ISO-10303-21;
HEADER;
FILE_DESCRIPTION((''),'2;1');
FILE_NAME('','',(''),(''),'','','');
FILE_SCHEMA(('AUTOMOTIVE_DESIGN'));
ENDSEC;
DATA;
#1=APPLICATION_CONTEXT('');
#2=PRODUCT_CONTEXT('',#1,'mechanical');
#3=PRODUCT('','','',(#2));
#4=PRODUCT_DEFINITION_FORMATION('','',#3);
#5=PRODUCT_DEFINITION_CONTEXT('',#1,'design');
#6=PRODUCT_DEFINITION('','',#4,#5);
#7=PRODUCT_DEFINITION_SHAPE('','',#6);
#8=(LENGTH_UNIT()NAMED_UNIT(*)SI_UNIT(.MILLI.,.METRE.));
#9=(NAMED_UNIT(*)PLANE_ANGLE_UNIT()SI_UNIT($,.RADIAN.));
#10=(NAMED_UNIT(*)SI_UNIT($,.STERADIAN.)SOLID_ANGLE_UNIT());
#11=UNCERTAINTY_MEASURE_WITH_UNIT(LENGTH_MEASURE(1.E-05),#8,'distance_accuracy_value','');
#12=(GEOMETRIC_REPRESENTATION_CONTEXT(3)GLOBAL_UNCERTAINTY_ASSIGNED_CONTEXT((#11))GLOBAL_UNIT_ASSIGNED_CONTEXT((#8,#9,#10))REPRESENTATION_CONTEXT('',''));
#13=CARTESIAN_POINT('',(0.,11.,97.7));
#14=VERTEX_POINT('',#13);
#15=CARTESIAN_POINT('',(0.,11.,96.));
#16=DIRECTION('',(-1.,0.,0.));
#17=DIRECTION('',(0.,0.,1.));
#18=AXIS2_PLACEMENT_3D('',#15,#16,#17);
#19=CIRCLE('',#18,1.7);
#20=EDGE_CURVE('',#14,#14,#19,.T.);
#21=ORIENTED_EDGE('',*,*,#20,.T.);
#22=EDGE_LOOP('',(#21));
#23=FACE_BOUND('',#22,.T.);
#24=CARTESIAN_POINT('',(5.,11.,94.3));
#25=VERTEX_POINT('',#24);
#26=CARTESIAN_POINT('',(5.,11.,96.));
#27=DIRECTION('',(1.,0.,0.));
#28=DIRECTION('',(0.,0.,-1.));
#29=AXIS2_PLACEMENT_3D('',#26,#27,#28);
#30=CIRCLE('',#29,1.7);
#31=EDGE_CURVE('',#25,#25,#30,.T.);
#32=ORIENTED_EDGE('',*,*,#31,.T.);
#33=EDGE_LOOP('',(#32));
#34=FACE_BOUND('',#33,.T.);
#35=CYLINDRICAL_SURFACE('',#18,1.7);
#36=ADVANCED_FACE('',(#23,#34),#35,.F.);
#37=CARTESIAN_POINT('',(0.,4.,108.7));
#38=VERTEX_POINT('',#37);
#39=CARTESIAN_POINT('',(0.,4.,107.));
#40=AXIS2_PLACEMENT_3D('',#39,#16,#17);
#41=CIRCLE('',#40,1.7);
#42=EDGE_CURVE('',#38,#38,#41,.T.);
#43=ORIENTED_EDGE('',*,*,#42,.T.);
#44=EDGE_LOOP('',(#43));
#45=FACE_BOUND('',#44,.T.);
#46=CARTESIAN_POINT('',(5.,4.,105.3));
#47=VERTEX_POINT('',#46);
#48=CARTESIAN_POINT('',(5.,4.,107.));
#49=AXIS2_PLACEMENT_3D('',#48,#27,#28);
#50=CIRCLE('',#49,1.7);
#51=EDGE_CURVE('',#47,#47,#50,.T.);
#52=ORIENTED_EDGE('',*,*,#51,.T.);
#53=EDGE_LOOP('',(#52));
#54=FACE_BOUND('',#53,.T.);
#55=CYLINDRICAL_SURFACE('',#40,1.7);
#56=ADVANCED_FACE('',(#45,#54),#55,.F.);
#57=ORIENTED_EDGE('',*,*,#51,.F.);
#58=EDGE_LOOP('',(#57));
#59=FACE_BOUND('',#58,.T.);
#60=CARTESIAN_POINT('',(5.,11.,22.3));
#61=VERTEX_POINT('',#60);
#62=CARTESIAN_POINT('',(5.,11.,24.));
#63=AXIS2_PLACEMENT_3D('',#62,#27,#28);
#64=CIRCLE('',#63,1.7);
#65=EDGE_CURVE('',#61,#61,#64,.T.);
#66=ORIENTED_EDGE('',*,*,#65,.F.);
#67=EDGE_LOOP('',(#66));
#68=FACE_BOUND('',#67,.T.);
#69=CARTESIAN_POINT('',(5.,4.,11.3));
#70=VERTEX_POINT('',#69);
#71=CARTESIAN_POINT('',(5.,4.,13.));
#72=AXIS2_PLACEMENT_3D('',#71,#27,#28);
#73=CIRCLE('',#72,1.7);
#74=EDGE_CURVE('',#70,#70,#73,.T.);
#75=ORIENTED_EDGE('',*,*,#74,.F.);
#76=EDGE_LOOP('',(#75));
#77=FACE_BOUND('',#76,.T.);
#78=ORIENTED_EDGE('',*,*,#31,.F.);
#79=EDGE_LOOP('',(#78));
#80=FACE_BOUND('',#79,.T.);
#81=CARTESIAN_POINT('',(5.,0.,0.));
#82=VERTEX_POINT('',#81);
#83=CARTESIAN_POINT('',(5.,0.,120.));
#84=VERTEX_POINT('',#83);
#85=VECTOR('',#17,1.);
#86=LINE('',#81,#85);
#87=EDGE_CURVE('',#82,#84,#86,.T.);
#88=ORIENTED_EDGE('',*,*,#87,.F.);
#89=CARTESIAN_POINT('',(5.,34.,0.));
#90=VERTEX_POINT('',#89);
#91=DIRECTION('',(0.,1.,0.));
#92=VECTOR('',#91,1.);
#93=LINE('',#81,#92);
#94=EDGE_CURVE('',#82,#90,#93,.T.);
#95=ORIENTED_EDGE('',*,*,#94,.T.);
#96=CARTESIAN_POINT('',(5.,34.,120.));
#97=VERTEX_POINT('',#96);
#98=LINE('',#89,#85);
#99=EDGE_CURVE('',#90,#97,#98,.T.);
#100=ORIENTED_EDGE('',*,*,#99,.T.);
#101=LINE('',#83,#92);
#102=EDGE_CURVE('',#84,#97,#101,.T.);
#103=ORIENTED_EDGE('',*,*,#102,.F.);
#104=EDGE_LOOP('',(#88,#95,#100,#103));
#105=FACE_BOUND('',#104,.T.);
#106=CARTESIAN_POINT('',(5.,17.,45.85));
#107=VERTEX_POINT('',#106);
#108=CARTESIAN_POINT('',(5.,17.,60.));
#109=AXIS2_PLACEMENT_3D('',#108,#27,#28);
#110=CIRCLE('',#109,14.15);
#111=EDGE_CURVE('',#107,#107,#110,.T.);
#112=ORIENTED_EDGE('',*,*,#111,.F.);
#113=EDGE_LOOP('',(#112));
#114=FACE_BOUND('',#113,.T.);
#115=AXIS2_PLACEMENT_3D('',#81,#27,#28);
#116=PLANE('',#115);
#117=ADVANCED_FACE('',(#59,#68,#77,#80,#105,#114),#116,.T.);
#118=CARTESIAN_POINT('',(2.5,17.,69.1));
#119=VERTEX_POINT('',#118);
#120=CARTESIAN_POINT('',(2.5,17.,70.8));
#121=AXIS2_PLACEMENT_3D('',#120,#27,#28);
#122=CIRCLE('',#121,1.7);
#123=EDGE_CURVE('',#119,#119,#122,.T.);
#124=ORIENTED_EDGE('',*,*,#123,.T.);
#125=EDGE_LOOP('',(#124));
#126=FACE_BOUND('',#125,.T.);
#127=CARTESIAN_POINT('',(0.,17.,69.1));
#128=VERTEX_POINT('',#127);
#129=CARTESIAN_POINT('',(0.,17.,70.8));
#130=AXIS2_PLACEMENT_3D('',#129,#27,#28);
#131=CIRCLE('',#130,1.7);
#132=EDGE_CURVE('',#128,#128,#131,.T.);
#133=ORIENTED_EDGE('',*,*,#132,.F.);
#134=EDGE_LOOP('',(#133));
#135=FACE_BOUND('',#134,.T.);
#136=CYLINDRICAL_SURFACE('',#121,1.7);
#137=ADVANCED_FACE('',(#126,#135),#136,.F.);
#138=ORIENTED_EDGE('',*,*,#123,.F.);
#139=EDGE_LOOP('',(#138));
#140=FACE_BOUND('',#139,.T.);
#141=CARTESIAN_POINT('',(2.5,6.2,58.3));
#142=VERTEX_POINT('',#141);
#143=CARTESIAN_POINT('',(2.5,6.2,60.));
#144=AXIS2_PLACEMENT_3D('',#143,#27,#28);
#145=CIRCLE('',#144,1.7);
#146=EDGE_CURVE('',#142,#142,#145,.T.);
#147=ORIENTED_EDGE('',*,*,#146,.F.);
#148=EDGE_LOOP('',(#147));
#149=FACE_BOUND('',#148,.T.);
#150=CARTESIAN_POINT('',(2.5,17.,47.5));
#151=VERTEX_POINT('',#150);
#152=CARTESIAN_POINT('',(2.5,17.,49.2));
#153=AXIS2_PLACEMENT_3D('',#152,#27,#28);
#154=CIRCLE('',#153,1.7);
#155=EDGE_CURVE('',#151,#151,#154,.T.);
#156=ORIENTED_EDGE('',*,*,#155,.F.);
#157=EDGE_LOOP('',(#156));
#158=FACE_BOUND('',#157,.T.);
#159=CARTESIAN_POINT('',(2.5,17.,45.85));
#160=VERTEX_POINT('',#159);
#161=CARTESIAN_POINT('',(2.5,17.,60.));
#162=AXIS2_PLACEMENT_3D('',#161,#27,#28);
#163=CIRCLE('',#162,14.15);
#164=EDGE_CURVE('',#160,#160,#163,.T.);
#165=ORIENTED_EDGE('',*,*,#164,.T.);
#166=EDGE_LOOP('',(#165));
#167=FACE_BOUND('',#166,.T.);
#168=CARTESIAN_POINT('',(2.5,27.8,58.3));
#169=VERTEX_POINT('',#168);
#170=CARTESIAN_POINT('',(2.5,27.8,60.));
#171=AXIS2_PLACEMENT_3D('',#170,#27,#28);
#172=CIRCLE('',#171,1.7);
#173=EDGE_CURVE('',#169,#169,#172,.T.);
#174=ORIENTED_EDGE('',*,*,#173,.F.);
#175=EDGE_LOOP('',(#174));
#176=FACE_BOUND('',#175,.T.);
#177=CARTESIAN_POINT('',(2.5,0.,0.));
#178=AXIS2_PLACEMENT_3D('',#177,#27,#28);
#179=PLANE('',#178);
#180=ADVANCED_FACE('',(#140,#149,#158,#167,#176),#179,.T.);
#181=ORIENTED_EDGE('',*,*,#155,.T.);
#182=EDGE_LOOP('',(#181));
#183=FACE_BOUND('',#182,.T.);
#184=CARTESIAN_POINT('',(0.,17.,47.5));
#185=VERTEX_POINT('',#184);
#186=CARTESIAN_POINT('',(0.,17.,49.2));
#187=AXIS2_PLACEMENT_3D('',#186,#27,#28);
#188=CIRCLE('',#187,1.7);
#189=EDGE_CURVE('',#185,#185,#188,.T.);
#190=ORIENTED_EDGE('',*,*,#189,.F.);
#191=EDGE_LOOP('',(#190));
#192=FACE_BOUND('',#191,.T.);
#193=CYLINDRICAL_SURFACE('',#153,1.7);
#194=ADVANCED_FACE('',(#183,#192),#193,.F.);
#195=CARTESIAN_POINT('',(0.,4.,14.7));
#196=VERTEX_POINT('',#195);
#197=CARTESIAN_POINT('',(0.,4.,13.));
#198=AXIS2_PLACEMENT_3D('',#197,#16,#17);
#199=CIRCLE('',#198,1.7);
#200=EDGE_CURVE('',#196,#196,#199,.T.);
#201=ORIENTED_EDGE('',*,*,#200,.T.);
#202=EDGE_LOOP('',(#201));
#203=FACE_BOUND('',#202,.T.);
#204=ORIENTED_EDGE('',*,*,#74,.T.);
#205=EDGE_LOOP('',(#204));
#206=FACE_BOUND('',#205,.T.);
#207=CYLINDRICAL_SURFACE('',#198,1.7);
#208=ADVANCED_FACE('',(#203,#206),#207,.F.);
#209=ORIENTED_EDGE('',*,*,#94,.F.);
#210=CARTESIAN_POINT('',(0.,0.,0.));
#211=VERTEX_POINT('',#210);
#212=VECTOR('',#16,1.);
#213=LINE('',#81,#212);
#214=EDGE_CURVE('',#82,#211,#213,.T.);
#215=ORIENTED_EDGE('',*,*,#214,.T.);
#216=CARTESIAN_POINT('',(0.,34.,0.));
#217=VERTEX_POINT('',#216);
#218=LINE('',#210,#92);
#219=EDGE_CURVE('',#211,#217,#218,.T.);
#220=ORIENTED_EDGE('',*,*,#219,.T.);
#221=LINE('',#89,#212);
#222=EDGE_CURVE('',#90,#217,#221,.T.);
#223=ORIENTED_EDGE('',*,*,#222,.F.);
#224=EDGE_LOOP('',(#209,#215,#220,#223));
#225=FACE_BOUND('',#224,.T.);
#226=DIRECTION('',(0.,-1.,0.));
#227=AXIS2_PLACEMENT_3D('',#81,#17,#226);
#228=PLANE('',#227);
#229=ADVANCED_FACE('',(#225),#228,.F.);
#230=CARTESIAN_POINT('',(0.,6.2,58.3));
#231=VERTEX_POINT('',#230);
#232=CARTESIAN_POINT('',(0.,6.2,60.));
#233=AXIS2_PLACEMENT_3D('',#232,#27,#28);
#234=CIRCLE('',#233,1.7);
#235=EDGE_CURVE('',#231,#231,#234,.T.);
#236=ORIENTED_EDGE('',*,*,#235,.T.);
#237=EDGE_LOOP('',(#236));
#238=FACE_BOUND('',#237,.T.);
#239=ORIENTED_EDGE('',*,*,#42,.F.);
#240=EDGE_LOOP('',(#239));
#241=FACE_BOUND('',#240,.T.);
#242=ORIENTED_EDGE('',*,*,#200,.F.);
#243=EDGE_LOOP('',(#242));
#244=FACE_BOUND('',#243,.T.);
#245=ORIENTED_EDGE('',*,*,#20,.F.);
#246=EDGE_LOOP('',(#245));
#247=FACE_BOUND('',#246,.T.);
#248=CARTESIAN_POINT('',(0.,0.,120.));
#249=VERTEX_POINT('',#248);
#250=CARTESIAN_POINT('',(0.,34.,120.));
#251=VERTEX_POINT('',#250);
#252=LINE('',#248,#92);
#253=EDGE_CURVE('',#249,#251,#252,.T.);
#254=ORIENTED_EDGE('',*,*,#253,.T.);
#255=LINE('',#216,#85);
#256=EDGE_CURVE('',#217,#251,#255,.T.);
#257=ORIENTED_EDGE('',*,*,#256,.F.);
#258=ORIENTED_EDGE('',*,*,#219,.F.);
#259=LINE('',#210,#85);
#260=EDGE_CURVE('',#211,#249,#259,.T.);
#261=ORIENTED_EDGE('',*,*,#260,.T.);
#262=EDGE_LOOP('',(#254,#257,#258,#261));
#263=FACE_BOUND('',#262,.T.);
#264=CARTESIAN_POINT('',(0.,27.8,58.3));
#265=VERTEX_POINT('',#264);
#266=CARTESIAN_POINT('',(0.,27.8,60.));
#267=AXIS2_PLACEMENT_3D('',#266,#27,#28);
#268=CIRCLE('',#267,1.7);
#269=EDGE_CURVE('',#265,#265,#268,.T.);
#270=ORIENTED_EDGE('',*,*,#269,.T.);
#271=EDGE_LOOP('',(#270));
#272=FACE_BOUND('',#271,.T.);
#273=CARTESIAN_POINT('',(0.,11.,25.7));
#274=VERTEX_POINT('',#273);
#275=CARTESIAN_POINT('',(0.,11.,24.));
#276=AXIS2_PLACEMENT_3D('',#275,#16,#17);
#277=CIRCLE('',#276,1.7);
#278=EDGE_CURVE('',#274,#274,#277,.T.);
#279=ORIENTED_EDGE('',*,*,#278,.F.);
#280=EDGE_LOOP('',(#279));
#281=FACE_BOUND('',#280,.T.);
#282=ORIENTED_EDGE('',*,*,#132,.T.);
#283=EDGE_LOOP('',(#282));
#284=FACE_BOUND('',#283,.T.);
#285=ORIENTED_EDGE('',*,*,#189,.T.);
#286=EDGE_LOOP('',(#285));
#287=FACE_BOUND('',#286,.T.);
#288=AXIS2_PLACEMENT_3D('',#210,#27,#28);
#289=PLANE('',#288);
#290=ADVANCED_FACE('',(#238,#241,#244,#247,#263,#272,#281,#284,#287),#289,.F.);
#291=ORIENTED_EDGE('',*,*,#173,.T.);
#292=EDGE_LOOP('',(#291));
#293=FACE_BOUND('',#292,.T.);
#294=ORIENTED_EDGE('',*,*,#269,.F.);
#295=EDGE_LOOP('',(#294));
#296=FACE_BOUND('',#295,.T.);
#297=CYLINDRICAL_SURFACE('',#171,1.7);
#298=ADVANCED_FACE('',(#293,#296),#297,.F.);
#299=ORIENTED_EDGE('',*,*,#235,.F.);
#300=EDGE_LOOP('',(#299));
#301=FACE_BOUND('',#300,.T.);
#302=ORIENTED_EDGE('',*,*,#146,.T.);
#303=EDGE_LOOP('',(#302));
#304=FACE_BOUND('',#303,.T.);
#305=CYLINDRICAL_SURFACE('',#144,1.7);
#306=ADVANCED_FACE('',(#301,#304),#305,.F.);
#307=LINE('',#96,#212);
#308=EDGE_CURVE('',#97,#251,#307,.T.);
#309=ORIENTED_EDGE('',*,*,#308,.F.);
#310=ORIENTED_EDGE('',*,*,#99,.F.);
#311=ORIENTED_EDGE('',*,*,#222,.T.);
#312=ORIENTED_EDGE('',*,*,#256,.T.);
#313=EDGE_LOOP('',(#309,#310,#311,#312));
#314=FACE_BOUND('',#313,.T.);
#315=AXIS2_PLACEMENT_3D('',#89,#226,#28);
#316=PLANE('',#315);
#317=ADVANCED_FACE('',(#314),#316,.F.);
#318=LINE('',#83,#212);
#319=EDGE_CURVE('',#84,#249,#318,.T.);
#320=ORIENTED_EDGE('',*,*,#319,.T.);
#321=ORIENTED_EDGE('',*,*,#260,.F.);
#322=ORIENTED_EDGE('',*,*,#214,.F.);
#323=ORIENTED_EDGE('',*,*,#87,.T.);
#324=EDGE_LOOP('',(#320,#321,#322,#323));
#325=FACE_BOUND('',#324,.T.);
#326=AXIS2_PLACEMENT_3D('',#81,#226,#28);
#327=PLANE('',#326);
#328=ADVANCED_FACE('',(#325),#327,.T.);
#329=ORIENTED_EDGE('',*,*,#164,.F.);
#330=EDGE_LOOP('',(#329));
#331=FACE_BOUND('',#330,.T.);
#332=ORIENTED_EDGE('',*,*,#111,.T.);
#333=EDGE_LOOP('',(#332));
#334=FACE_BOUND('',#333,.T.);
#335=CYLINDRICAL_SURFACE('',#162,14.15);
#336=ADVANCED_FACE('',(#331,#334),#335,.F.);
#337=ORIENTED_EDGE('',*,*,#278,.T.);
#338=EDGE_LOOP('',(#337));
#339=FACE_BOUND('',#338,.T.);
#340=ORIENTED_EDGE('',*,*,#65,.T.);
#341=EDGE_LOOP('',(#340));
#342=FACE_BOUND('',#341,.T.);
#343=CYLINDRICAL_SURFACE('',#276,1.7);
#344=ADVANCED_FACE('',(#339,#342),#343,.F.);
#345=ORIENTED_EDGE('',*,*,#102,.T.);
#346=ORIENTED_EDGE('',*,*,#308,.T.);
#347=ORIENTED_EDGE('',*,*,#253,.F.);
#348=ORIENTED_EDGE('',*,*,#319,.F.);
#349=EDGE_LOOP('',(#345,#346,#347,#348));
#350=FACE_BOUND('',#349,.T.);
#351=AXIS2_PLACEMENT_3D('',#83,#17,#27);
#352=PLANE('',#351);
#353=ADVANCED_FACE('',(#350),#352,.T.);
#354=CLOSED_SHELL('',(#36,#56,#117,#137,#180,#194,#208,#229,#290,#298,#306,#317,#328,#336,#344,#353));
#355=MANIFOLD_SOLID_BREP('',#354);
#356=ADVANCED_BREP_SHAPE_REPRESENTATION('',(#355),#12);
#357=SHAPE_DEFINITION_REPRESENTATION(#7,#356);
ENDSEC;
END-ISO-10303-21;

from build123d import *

# Parameters (mm, degrees)
SKETCH1_W                = 120
SKETCH1_H                = 34
BOSS_EXTRUDE1_DEPTH      = 5
CUT_EXTRUDE1_DEPTH       = 2.5
M3_CLEARANCE_HOLE1_D     = 3.4
M3_CLEARANCE_HOLE1_DEPTH = 15
M3_CLEARANCE_HOLE1_TIP   = 1.021463052
M3_CLEARANCE_HOLE3_D     = 3.4
M3_CLEARANCE_HOLE3_DEPTH = 15
M3_CLEARANCE_HOLE3_TIP   = 1.021463052


with BuildPart() as part:
    # Sketch1 → Boss-Extrude1 (new body)
    with BuildSketch(Plane(origin=(0, 0, 0), x_dir=(0, 0, -1), z_dir=(1, 0, 0))):
        with Locations((-60, 17)):
            Rectangle(SKETCH1_W, SKETCH1_H)
    extrude(amount=BOSS_EXTRUDE1_DEPTH)

    # Sketch2 → Cut-Extrude1 (cut)
    with BuildSketch(Plane(origin=(5, 0, 0), x_dir=(0, 0, -1), z_dir=(1, 0, 0))):
        with BuildLine():
            ThreePointArc((-45.85, 17), (-49.994439046, 27.005560954), (-60, 31.15))
            Line((-60, 31.15), (-60, 2.85))
            ThreePointArc((-60, 2.85), (-49.994439046, 6.994439046), (-45.85, 17))
        make_face()
        with BuildLine():
            Line((-60, 2.85), (-60, 31.15))
            ThreePointArc((-60, 31.15), (-74.15, 17), (-60, 2.85))
        make_face()
    extrude(amount=-CUT_EXTRUDE1_DEPTH, mode=Mode.SUBTRACT)

    # M3 Clearance Hole1
    with Locations(Plane(origin=(2.5, 0, 0), x_dir=(0, 0, -1), z_dir=(1, 0, 0))):
        with Locations((-60, 27.8), (-49.2, 17), (-60, 6.2), (-70.8, 17)):
            Hole(M3_CLEARANCE_HOLE1_D / 2, depth=M3_CLEARANCE_HOLE1_DEPTH)
            with Locations((0, 0, -(M3_CLEARANCE_HOLE1_DEPTH + M3_CLEARANCE_HOLE1_TIP / 2))):  # 118° drill point
                Cone(0, M3_CLEARANCE_HOLE1_D / 2, M3_CLEARANCE_HOLE1_TIP, mode=Mode.SUBTRACT)

    # M3 Clearance Hole3
    with Locations(Plane.ZY):
        with Locations((24, 11), (13, 4), (96, 11), (107, 4)):
            Hole(M3_CLEARANCE_HOLE3_D / 2, depth=M3_CLEARANCE_HOLE3_DEPTH)
            with Locations((0, 0, -(M3_CLEARANCE_HOLE3_DEPTH + M3_CLEARANCE_HOLE3_TIP / 2))):  # 118° drill point
                Cone(0, M3_CLEARANCE_HOLE3_D / 2, M3_CLEARANCE_HOLE3_TIP, mode=Mode.SUBTRACT)


solid = part.part
